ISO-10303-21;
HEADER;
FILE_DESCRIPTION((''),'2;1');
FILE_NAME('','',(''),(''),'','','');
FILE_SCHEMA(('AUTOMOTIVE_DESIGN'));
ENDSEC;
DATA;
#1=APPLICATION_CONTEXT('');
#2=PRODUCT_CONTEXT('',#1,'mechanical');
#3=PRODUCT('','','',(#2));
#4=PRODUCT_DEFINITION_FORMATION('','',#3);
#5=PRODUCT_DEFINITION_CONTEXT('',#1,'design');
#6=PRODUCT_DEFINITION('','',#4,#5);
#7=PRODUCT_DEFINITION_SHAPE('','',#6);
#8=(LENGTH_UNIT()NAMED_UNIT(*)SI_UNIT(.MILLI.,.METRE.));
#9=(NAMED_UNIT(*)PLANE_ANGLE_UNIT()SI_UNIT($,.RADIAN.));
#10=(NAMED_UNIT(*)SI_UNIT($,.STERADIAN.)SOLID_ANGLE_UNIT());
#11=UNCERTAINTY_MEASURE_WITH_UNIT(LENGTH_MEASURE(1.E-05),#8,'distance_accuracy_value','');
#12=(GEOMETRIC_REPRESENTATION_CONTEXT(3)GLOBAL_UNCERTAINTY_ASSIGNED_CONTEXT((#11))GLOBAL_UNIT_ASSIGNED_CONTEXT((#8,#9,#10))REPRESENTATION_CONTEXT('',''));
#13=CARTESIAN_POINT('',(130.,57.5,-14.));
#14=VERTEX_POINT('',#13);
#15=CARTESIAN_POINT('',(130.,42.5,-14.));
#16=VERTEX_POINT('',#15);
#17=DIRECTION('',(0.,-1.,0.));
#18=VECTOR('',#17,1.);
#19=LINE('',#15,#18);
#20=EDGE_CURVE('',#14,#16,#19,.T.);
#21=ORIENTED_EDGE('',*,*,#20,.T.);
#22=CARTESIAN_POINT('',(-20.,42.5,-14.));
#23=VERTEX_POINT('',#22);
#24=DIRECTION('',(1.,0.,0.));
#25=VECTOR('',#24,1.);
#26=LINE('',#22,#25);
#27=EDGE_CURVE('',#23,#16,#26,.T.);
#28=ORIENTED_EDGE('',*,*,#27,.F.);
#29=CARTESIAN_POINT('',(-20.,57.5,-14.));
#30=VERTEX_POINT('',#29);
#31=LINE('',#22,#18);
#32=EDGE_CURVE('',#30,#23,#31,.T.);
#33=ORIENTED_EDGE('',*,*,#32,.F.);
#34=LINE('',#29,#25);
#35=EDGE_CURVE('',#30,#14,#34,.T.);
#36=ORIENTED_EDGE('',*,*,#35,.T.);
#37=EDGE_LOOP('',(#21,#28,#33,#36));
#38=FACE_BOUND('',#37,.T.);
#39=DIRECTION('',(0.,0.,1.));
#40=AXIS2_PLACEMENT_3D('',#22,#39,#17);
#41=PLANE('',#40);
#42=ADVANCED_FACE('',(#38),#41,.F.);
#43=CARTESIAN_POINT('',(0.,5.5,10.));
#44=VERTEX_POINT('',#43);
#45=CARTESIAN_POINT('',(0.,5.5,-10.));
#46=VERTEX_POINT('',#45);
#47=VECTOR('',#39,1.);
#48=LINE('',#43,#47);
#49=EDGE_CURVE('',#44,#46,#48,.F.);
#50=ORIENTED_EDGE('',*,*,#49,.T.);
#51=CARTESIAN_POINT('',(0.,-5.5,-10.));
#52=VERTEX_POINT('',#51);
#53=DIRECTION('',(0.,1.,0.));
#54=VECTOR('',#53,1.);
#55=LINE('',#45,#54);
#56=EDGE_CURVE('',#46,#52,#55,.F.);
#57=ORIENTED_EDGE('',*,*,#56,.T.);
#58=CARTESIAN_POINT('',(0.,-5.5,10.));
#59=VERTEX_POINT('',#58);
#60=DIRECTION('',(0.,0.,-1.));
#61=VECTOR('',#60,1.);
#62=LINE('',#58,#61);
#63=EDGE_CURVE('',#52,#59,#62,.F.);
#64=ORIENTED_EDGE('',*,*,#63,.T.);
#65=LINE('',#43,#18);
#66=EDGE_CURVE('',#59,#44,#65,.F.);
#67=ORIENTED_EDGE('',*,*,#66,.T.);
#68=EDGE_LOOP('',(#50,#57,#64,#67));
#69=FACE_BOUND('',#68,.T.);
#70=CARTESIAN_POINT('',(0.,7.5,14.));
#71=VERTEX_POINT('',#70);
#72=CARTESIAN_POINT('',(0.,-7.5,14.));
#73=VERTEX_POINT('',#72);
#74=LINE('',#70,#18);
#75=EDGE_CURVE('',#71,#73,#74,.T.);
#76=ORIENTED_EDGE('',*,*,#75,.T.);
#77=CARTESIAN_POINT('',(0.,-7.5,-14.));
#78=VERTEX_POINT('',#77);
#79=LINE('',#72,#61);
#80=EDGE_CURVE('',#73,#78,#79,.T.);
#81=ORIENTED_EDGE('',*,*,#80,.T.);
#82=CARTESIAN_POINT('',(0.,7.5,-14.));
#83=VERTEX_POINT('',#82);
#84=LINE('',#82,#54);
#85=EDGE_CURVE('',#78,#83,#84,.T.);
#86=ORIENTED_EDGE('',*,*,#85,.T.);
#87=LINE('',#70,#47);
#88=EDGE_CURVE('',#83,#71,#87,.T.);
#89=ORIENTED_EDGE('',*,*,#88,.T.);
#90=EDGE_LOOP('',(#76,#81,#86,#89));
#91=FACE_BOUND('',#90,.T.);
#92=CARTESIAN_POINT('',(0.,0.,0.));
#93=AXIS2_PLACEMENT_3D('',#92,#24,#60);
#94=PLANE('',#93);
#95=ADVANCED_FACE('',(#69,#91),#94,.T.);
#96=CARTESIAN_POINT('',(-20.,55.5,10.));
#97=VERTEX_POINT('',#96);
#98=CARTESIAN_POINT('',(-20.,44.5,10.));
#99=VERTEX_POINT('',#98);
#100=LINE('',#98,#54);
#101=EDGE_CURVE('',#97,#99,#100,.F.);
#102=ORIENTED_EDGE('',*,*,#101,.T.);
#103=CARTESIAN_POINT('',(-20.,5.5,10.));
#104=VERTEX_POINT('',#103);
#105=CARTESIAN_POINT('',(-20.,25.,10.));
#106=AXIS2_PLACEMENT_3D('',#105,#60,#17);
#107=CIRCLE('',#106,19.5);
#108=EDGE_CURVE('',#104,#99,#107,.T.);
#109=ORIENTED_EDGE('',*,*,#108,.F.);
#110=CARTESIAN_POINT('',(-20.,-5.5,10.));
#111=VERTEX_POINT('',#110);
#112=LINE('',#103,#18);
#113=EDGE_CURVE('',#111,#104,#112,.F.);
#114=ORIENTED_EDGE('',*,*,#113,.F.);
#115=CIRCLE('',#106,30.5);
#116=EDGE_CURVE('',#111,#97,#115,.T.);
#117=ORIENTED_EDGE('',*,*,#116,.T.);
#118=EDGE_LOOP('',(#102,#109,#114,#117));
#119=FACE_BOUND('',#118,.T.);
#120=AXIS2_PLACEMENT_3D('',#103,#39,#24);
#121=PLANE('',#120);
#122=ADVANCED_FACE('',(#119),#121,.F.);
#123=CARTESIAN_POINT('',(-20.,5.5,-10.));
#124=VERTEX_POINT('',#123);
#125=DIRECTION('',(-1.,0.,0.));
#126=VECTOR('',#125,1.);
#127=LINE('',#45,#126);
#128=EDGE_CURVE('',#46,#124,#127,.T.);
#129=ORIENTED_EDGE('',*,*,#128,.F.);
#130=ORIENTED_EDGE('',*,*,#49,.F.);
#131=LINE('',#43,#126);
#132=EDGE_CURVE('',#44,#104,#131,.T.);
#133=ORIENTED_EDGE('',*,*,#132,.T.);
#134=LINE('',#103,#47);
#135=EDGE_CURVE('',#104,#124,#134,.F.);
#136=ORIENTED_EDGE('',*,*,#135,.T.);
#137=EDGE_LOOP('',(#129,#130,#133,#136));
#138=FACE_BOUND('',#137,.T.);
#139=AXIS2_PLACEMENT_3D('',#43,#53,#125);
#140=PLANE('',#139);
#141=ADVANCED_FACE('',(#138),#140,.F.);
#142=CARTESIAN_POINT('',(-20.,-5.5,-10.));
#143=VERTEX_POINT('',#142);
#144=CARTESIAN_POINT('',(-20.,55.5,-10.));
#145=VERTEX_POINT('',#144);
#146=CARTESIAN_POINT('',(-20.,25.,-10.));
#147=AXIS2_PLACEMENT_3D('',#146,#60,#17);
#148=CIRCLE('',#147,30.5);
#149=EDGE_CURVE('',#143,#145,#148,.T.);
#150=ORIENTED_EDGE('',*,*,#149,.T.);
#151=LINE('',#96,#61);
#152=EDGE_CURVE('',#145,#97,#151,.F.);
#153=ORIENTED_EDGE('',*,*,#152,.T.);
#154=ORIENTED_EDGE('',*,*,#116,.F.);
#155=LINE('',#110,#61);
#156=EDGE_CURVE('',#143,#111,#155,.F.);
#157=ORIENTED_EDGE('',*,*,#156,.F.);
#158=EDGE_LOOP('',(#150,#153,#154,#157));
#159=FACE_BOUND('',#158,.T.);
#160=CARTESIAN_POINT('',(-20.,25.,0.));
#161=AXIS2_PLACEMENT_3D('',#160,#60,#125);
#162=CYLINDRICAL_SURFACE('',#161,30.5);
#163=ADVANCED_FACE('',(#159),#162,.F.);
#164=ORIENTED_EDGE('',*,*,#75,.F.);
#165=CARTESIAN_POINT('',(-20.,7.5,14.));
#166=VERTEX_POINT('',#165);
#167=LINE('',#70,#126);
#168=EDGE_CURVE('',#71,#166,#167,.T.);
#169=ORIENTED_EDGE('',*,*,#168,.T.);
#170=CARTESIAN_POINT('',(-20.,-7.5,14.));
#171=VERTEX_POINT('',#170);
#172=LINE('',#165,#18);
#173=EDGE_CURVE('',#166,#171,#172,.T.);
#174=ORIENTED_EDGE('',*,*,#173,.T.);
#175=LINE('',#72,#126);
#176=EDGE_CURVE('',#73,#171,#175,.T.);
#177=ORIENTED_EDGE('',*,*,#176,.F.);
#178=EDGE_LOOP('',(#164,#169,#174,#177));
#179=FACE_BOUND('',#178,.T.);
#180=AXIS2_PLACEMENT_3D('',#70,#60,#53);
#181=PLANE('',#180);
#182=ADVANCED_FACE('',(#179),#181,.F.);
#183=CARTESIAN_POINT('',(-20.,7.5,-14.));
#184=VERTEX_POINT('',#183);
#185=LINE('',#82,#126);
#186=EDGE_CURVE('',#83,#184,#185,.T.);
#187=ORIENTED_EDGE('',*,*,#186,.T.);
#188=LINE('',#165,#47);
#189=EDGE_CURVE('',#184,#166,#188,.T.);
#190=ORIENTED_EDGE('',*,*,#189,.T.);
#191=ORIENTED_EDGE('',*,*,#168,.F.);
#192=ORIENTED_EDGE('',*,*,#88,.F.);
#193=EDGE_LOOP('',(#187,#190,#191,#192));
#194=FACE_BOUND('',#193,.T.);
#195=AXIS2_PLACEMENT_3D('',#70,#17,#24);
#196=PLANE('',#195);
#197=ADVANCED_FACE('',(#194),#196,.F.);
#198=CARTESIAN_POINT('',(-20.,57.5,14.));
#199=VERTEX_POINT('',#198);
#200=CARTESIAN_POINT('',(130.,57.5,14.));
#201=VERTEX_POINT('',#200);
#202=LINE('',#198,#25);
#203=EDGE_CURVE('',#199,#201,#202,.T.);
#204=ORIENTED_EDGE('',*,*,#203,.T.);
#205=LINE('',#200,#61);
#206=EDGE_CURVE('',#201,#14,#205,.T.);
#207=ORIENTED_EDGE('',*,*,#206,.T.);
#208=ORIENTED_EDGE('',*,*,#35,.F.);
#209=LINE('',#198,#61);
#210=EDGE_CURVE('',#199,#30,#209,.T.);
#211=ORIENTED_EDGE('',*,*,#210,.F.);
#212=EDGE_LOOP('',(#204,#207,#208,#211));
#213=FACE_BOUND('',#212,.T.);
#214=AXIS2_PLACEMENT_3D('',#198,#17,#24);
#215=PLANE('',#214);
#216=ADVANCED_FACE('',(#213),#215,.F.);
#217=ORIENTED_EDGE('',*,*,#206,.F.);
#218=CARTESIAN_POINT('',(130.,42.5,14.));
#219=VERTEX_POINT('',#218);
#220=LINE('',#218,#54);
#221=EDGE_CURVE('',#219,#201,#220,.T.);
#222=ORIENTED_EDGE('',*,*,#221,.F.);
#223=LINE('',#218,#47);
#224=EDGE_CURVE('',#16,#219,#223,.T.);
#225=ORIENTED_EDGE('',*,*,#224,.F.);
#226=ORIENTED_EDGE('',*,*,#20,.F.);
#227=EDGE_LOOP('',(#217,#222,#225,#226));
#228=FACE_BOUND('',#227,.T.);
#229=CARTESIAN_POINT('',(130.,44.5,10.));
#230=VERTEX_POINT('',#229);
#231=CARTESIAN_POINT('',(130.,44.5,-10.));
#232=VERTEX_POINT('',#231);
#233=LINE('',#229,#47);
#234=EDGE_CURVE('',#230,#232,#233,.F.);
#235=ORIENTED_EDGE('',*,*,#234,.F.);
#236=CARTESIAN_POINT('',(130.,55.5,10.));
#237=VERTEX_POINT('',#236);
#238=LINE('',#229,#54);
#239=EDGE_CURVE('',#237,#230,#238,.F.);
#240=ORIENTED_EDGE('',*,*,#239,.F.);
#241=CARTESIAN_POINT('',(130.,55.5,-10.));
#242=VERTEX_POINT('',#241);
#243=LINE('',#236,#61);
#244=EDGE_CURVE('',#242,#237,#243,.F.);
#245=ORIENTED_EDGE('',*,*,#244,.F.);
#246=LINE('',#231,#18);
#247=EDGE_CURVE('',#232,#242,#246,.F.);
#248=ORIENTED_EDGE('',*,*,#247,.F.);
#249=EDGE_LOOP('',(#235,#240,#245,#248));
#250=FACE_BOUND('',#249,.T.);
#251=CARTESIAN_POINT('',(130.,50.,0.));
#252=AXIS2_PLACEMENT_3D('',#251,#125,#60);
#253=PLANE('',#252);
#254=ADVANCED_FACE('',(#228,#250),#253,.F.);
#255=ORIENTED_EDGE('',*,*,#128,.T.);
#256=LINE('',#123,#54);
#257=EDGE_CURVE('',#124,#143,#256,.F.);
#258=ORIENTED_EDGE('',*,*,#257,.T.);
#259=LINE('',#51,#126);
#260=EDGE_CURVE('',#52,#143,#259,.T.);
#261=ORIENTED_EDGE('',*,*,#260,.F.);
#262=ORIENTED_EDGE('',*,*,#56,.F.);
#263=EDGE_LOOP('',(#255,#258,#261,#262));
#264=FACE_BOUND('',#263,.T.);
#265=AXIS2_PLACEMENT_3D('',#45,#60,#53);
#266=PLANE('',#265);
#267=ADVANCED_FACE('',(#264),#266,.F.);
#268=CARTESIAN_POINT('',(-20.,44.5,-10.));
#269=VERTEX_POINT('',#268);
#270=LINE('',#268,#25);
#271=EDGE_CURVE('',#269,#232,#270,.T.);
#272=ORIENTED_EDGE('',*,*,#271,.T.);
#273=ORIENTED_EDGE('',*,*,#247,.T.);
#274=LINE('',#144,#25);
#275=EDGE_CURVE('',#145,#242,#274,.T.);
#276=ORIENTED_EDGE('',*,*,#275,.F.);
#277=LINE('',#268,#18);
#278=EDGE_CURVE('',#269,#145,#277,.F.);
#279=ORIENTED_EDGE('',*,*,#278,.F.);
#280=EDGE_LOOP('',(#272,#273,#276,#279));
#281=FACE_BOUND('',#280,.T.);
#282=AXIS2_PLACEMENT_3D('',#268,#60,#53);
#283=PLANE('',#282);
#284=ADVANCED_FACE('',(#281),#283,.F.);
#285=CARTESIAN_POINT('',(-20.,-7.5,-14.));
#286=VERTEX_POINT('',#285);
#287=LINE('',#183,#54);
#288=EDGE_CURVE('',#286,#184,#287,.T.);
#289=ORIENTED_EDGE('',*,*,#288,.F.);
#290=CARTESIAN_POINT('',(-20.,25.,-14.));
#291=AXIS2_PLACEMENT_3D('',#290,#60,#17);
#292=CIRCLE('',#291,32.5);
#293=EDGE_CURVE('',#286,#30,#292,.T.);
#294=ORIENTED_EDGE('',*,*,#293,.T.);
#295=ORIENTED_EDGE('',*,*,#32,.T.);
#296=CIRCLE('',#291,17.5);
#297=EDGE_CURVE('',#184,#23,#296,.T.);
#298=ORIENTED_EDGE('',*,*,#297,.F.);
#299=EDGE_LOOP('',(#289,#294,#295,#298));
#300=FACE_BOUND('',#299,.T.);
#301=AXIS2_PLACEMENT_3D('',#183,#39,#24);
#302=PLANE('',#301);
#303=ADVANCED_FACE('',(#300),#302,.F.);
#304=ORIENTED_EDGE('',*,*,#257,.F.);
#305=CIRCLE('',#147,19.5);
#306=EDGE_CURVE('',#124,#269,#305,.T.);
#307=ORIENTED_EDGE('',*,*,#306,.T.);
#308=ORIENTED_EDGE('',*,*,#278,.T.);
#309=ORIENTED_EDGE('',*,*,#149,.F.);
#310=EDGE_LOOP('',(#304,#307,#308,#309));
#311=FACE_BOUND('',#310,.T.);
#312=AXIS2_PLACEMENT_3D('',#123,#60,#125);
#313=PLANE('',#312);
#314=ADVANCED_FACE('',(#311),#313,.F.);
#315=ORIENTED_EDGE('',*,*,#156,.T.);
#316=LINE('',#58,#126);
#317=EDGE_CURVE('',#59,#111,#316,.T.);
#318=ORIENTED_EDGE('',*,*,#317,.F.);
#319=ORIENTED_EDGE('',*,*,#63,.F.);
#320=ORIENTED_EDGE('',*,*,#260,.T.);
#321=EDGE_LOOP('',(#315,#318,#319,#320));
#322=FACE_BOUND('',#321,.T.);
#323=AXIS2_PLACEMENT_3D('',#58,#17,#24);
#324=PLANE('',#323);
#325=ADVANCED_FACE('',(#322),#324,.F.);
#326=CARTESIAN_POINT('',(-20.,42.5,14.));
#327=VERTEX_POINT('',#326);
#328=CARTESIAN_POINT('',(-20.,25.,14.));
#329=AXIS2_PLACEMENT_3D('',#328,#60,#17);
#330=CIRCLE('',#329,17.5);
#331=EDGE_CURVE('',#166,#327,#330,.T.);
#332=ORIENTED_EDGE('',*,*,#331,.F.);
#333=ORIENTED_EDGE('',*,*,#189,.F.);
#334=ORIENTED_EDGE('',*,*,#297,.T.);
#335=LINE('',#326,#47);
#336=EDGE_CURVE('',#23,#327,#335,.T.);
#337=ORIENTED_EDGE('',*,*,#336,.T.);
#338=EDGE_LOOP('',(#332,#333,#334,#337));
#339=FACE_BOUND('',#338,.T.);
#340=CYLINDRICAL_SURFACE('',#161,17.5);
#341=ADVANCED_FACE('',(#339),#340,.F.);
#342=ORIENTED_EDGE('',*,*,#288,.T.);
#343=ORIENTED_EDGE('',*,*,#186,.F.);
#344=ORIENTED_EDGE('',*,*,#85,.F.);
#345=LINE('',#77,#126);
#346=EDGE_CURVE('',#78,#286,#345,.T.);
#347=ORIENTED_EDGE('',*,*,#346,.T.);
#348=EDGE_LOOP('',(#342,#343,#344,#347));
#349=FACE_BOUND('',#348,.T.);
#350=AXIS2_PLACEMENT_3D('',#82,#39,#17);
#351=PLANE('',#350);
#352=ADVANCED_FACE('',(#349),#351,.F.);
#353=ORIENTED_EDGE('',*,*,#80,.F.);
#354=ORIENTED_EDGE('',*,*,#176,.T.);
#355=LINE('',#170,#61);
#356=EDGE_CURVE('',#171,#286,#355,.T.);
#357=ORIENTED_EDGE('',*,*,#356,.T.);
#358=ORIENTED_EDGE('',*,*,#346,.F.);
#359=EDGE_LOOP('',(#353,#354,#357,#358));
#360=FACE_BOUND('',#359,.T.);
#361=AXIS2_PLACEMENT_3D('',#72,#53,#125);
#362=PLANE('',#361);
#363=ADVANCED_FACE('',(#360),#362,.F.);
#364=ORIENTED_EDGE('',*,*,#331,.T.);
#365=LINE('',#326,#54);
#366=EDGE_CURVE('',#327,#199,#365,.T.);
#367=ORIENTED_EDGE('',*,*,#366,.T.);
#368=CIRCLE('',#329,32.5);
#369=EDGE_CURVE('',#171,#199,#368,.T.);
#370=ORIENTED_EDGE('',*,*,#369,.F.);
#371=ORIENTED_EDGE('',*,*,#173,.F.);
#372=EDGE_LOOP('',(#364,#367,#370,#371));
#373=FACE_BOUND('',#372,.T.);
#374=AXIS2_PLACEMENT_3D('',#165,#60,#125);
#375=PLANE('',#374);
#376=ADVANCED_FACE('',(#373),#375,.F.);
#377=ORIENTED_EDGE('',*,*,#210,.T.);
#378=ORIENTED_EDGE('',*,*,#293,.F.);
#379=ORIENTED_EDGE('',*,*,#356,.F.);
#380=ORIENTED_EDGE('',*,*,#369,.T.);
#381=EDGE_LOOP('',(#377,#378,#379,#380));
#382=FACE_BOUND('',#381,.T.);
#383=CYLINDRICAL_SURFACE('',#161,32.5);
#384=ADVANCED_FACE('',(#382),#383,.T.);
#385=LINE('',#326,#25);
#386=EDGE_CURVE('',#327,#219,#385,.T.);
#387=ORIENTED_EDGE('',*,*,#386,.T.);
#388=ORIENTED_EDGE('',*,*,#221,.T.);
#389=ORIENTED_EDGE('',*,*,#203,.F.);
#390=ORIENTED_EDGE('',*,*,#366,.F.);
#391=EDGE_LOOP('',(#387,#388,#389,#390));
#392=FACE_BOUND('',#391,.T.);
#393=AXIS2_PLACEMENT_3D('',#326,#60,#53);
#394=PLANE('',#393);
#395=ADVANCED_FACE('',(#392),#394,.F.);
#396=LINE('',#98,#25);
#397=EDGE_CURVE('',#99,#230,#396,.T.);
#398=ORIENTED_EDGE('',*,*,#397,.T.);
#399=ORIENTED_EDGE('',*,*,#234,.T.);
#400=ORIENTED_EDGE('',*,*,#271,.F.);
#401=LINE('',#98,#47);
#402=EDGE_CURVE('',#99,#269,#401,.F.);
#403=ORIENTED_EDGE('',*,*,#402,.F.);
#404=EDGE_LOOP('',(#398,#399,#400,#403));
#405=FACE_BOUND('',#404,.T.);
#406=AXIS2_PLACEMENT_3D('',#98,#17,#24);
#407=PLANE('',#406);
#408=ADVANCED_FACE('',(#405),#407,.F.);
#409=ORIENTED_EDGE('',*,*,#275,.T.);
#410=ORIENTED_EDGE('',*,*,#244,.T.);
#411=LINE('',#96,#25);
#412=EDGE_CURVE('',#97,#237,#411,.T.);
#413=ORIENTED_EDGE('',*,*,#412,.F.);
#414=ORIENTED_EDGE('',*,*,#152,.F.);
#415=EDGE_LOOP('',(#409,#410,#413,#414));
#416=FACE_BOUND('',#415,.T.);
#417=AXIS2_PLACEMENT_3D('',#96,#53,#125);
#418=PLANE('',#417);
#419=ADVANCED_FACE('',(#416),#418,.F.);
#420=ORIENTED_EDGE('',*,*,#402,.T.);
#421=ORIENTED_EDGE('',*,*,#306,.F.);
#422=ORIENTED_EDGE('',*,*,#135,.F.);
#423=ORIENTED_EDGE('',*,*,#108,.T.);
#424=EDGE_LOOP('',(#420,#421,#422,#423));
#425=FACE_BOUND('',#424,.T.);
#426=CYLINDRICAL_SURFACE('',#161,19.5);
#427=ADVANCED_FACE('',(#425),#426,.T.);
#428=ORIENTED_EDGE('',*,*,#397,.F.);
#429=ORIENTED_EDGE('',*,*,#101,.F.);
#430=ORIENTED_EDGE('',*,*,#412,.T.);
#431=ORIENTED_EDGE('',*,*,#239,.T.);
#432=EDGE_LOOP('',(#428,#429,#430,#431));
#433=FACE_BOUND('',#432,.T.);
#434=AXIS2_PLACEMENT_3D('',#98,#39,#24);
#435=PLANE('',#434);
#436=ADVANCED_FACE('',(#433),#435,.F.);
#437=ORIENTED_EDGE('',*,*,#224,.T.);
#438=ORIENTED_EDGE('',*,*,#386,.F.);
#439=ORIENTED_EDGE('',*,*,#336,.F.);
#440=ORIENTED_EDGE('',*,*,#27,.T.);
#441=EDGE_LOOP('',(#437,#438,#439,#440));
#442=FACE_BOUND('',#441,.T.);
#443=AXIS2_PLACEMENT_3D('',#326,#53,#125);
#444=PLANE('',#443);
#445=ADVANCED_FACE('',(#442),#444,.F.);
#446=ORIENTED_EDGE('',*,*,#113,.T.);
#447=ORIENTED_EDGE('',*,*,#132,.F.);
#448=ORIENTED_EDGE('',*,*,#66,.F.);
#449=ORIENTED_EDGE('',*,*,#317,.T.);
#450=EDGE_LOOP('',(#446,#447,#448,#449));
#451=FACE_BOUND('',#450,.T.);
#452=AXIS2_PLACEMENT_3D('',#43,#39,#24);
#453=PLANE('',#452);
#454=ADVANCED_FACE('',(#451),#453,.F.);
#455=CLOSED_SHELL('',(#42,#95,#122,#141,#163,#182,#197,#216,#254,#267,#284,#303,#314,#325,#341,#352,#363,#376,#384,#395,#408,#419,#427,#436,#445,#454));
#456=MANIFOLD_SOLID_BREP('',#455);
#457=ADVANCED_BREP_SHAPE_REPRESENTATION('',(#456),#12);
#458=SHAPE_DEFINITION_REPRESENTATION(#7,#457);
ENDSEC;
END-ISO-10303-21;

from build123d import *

# Parameters (mm, degrees)
SKETCH2_W   = 28
SKETCH2_H   = 15
SKETCH2_W_2 = 20
SKETCH2_H_2 = 11


with BuildPart() as part:
    # Sweep1: sweep along a path in Sketch1
    with BuildLine(Plane.XY) as sweep1_path:
        Line((0, 0), (-20, 0))
        ThreePointArc((-20, 0), (-45, 25), (-20, 50))
        Line((-20, 50), (130, 50))
    # Sketch2 → Sweep1 (sweep)
    with BuildSketch(Plane(origin=(0, 0, 0), x_dir=(0, 0, -1), z_dir=(1, 0, 0))):
        Rectangle(SKETCH2_W, SKETCH2_H)
        Rectangle(SKETCH2_W_2, SKETCH2_H_2, mode=Mode.SUBTRACT)
    sweep(path=sweep1_path.line)


solid = part.part
